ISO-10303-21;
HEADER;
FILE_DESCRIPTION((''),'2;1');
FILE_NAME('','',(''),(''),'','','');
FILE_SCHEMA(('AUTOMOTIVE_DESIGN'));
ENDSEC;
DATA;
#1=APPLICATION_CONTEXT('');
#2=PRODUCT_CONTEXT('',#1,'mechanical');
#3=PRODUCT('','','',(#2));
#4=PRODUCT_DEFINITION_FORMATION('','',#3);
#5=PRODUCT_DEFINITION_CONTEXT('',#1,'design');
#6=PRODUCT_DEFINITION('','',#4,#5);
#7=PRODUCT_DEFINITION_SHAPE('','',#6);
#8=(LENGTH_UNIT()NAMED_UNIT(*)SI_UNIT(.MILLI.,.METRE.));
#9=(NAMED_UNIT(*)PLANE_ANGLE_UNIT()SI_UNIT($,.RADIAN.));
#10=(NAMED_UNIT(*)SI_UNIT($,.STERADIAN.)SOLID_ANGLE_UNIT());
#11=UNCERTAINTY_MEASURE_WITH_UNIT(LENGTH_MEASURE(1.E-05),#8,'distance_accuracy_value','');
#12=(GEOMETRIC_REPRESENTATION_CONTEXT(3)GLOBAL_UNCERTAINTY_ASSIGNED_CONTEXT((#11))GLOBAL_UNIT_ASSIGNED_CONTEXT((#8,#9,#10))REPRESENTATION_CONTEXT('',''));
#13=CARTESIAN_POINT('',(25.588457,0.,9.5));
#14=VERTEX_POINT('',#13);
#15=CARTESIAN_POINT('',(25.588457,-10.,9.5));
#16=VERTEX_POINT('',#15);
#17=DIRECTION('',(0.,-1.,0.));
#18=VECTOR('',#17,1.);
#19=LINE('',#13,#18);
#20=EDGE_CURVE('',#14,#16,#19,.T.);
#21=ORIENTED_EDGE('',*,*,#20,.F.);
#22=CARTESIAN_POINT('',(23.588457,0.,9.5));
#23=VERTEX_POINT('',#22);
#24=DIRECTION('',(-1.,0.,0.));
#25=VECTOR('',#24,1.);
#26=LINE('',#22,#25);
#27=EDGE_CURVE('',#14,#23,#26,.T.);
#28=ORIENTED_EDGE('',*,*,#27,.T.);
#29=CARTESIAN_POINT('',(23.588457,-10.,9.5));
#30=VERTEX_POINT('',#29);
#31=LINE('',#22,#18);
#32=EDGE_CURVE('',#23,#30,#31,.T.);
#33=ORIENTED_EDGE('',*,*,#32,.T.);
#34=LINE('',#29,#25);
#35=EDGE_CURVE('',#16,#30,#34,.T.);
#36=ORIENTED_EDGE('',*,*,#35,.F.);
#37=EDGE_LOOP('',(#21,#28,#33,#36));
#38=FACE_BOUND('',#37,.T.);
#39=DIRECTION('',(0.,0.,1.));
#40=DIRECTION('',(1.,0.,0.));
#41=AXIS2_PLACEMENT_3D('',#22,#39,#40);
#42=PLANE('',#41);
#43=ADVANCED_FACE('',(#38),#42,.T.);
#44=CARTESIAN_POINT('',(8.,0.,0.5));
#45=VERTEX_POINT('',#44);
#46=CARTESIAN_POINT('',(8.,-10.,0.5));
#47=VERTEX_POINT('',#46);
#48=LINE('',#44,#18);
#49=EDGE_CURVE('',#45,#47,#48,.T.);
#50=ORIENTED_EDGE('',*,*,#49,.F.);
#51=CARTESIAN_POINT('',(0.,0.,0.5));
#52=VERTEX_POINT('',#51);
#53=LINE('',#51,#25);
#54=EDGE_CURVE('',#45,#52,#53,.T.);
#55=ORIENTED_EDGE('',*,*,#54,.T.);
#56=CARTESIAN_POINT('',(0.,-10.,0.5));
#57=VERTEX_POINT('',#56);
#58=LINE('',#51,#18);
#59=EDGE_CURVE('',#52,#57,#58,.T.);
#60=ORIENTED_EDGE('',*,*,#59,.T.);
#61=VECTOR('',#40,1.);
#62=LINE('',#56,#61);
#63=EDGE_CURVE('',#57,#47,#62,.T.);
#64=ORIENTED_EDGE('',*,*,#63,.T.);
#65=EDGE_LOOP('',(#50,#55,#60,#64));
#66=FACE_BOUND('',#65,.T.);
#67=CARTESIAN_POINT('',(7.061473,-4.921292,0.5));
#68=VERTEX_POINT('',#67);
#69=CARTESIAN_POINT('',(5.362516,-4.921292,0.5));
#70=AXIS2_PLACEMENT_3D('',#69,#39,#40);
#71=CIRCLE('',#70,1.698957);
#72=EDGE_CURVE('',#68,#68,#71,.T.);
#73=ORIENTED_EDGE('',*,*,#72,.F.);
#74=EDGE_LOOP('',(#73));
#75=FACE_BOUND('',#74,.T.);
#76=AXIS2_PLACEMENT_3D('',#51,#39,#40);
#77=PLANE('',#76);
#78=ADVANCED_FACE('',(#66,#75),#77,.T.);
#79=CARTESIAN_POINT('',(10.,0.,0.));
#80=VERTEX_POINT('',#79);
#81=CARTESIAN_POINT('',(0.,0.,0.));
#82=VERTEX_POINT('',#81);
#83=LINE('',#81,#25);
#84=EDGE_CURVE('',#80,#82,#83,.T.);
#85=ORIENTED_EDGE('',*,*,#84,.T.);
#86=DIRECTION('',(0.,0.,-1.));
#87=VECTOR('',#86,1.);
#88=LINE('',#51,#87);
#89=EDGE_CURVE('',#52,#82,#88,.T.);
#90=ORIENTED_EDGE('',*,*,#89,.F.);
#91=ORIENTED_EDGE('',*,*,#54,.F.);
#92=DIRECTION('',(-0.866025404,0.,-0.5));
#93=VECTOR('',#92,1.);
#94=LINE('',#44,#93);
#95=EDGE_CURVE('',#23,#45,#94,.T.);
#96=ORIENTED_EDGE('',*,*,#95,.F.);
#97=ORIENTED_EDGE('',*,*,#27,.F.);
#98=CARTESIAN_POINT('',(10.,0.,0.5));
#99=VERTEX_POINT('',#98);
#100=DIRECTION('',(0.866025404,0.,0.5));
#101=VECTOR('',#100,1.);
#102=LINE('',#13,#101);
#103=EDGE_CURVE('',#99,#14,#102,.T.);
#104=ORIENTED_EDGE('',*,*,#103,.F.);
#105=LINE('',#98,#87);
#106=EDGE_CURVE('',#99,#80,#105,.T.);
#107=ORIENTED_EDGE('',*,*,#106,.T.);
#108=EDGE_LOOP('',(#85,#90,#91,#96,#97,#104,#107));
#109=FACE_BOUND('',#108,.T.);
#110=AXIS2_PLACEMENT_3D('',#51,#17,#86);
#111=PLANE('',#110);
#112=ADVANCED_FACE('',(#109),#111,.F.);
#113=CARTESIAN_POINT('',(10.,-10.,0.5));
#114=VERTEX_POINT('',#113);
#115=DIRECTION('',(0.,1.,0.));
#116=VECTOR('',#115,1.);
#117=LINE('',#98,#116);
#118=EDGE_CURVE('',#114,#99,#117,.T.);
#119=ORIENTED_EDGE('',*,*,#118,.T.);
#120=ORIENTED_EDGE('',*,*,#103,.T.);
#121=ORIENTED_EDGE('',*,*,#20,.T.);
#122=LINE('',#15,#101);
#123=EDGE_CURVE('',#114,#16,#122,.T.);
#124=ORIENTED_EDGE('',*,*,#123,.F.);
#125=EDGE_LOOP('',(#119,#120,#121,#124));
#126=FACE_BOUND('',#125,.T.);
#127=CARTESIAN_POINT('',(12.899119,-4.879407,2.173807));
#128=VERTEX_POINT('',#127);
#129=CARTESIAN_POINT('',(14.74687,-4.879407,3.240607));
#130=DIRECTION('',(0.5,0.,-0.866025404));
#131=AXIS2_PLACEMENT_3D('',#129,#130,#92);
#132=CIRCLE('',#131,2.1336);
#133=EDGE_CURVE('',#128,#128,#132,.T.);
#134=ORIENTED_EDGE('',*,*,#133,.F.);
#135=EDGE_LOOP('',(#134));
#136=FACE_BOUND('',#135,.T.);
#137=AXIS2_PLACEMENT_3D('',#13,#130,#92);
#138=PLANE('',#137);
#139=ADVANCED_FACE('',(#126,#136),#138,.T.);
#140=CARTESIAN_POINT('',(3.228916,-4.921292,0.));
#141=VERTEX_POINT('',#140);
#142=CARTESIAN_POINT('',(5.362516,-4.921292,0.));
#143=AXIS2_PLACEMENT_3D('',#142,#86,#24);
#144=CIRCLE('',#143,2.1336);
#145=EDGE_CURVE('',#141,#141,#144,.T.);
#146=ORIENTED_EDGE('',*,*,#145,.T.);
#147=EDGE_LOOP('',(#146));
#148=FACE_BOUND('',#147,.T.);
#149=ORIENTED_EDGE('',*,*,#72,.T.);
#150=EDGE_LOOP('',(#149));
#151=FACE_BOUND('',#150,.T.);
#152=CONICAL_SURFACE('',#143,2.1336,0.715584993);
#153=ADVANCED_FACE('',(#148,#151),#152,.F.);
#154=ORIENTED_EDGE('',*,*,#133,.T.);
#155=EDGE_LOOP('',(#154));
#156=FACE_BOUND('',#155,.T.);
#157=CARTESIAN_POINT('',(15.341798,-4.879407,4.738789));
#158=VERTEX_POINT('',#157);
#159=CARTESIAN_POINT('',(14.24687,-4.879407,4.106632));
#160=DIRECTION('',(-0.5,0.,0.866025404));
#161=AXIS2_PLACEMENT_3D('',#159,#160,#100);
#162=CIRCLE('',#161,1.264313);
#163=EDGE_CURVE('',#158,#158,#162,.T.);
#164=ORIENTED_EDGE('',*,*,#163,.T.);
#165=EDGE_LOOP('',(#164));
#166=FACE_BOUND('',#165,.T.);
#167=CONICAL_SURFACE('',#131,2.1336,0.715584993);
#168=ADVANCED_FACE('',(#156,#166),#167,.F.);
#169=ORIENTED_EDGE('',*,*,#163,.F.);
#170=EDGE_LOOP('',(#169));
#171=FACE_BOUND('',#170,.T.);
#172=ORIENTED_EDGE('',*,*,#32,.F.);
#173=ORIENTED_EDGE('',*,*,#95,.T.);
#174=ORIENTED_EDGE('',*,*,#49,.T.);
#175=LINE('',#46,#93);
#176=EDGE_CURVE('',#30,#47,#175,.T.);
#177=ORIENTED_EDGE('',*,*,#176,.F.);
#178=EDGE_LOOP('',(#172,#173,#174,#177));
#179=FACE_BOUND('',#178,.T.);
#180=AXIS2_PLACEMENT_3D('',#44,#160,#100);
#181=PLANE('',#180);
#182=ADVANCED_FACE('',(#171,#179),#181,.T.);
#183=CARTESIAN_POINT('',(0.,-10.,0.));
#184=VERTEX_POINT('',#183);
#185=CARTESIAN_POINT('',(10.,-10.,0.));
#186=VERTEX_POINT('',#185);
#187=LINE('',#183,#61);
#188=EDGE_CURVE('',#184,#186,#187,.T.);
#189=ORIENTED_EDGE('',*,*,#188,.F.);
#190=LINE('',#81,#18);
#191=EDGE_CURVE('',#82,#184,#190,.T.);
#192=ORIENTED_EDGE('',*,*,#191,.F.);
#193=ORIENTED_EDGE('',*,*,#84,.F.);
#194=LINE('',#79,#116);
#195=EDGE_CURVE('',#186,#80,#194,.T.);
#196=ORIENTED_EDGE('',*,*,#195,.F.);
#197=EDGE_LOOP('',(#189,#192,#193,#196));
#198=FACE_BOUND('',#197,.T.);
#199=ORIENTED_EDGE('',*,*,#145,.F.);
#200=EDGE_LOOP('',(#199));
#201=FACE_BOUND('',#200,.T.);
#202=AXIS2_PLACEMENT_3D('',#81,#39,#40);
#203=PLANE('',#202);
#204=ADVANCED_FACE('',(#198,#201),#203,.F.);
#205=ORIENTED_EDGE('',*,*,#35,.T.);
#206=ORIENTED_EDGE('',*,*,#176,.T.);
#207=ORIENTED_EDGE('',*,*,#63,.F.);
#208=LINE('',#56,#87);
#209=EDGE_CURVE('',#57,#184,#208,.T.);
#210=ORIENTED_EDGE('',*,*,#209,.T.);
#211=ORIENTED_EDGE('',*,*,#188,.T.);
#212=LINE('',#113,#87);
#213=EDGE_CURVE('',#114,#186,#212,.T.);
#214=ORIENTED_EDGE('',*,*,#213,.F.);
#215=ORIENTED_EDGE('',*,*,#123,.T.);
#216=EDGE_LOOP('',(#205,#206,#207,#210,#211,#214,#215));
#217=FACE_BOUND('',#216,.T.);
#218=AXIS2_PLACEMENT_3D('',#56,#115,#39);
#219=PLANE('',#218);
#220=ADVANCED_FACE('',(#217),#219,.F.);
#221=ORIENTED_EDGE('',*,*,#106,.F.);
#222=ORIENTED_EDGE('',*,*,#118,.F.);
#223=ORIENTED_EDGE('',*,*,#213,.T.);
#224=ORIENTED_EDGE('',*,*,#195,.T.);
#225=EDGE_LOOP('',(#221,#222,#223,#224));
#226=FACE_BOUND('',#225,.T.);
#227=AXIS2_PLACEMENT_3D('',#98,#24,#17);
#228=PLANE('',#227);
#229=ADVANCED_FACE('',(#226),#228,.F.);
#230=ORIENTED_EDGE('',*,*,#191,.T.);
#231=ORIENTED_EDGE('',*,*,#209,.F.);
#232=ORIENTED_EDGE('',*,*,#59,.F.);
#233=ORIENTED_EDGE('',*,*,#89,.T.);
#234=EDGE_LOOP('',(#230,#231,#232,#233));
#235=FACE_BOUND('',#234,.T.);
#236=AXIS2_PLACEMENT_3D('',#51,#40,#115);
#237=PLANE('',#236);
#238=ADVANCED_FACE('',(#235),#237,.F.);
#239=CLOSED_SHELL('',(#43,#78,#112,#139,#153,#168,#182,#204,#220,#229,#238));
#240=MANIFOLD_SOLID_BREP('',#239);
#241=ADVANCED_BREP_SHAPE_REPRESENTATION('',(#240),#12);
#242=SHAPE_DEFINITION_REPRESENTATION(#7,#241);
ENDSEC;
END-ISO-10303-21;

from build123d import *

# Parameters (mm, degrees)
SKETCH2_W                                         = 10
SKETCH2_H                                         = 10
BOSS_EXTRUDE1_DEPTH                               = 0.5
BOSS_EXTRUDE2_DEPTH                               = 10
CSK_FOR_1_FLAT_HEAD_SOCKET_CAP_SCREW1_D           = 2.0574
CSK_FOR_1_FLAT_HEAD_SOCKET_CAP_SCREW1_CSINK_D     = 4.2672
CSK_FOR_1_FLAT_HEAD_SOCKET_CAP_SCREW1_CSINK_ANGLE = 82
CSK_FOR_1_FLAT_HEAD_SOCKET_CAP_SCREW2_D           = 2.0574
CSK_FOR_1_FLAT_HEAD_SOCKET_CAP_SCREW2_CSINK_D     = 4.2672
CSK_FOR_1_FLAT_HEAD_SOCKET_CAP_SCREW2_CSINK_ANGLE = 82


with BuildPart() as part:
    # Sketch2 → Boss-Extrude1 (new body)
    with BuildSketch(Plane.XY):
        with Locations((5, -5)):
            Rectangle(SKETCH2_W, SKETCH2_H)
    extrude(amount=BOSS_EXTRUDE1_DEPTH)

    # Sketch3 → Boss-Extrude2 (add)
    with BuildSketch(Plane.XZ.offset(10)):
        Polygon((8, 0.5), (23.588457268, 9.5), (25.588457268, 9.5), (10, 0.5), align=None)
    extrude(amount=-BOSS_EXTRUDE2_DEPTH)

    # CSK for #1 Flat Head Socket Cap Screw1 (through all)
    with Locations(Plane(origin=(0, 0, 0), x_dir=(-1, 0, 0), z_dir=(0, 0, -1))):
        with Locations((-5.362516401, -4.921292394)):
            CounterSinkHole(CSK_FOR_1_FLAT_HEAD_SOCKET_CAP_SCREW1_D / 2, CSK_FOR_1_FLAT_HEAD_SOCKET_CAP_SCREW1_CSINK_D / 2, counter_sink_angle=CSK_FOR_1_FLAT_HEAD_SOCKET_CAP_SCREW1_CSINK_ANGLE)

    # CSK for #1 Flat Head Socket Cap Screw2 (through all)
    with Locations(Plane(origin=(2.283493649, 0, -3.955127019), x_dir=(-0.866025404, 0, -0.5), z_dir=(0.5, 0, -0.866025404))):
        with Locations((-14.39146791, -4.879407471)):
            CounterSinkHole(CSK_FOR_1_FLAT_HEAD_SOCKET_CAP_SCREW2_D / 2, CSK_FOR_1_FLAT_HEAD_SOCKET_CAP_SCREW2_CSINK_D / 2, counter_sink_angle=CSK_FOR_1_FLAT_HEAD_SOCKET_CAP_SCREW2_CSINK_ANGLE)


solid = part.part
